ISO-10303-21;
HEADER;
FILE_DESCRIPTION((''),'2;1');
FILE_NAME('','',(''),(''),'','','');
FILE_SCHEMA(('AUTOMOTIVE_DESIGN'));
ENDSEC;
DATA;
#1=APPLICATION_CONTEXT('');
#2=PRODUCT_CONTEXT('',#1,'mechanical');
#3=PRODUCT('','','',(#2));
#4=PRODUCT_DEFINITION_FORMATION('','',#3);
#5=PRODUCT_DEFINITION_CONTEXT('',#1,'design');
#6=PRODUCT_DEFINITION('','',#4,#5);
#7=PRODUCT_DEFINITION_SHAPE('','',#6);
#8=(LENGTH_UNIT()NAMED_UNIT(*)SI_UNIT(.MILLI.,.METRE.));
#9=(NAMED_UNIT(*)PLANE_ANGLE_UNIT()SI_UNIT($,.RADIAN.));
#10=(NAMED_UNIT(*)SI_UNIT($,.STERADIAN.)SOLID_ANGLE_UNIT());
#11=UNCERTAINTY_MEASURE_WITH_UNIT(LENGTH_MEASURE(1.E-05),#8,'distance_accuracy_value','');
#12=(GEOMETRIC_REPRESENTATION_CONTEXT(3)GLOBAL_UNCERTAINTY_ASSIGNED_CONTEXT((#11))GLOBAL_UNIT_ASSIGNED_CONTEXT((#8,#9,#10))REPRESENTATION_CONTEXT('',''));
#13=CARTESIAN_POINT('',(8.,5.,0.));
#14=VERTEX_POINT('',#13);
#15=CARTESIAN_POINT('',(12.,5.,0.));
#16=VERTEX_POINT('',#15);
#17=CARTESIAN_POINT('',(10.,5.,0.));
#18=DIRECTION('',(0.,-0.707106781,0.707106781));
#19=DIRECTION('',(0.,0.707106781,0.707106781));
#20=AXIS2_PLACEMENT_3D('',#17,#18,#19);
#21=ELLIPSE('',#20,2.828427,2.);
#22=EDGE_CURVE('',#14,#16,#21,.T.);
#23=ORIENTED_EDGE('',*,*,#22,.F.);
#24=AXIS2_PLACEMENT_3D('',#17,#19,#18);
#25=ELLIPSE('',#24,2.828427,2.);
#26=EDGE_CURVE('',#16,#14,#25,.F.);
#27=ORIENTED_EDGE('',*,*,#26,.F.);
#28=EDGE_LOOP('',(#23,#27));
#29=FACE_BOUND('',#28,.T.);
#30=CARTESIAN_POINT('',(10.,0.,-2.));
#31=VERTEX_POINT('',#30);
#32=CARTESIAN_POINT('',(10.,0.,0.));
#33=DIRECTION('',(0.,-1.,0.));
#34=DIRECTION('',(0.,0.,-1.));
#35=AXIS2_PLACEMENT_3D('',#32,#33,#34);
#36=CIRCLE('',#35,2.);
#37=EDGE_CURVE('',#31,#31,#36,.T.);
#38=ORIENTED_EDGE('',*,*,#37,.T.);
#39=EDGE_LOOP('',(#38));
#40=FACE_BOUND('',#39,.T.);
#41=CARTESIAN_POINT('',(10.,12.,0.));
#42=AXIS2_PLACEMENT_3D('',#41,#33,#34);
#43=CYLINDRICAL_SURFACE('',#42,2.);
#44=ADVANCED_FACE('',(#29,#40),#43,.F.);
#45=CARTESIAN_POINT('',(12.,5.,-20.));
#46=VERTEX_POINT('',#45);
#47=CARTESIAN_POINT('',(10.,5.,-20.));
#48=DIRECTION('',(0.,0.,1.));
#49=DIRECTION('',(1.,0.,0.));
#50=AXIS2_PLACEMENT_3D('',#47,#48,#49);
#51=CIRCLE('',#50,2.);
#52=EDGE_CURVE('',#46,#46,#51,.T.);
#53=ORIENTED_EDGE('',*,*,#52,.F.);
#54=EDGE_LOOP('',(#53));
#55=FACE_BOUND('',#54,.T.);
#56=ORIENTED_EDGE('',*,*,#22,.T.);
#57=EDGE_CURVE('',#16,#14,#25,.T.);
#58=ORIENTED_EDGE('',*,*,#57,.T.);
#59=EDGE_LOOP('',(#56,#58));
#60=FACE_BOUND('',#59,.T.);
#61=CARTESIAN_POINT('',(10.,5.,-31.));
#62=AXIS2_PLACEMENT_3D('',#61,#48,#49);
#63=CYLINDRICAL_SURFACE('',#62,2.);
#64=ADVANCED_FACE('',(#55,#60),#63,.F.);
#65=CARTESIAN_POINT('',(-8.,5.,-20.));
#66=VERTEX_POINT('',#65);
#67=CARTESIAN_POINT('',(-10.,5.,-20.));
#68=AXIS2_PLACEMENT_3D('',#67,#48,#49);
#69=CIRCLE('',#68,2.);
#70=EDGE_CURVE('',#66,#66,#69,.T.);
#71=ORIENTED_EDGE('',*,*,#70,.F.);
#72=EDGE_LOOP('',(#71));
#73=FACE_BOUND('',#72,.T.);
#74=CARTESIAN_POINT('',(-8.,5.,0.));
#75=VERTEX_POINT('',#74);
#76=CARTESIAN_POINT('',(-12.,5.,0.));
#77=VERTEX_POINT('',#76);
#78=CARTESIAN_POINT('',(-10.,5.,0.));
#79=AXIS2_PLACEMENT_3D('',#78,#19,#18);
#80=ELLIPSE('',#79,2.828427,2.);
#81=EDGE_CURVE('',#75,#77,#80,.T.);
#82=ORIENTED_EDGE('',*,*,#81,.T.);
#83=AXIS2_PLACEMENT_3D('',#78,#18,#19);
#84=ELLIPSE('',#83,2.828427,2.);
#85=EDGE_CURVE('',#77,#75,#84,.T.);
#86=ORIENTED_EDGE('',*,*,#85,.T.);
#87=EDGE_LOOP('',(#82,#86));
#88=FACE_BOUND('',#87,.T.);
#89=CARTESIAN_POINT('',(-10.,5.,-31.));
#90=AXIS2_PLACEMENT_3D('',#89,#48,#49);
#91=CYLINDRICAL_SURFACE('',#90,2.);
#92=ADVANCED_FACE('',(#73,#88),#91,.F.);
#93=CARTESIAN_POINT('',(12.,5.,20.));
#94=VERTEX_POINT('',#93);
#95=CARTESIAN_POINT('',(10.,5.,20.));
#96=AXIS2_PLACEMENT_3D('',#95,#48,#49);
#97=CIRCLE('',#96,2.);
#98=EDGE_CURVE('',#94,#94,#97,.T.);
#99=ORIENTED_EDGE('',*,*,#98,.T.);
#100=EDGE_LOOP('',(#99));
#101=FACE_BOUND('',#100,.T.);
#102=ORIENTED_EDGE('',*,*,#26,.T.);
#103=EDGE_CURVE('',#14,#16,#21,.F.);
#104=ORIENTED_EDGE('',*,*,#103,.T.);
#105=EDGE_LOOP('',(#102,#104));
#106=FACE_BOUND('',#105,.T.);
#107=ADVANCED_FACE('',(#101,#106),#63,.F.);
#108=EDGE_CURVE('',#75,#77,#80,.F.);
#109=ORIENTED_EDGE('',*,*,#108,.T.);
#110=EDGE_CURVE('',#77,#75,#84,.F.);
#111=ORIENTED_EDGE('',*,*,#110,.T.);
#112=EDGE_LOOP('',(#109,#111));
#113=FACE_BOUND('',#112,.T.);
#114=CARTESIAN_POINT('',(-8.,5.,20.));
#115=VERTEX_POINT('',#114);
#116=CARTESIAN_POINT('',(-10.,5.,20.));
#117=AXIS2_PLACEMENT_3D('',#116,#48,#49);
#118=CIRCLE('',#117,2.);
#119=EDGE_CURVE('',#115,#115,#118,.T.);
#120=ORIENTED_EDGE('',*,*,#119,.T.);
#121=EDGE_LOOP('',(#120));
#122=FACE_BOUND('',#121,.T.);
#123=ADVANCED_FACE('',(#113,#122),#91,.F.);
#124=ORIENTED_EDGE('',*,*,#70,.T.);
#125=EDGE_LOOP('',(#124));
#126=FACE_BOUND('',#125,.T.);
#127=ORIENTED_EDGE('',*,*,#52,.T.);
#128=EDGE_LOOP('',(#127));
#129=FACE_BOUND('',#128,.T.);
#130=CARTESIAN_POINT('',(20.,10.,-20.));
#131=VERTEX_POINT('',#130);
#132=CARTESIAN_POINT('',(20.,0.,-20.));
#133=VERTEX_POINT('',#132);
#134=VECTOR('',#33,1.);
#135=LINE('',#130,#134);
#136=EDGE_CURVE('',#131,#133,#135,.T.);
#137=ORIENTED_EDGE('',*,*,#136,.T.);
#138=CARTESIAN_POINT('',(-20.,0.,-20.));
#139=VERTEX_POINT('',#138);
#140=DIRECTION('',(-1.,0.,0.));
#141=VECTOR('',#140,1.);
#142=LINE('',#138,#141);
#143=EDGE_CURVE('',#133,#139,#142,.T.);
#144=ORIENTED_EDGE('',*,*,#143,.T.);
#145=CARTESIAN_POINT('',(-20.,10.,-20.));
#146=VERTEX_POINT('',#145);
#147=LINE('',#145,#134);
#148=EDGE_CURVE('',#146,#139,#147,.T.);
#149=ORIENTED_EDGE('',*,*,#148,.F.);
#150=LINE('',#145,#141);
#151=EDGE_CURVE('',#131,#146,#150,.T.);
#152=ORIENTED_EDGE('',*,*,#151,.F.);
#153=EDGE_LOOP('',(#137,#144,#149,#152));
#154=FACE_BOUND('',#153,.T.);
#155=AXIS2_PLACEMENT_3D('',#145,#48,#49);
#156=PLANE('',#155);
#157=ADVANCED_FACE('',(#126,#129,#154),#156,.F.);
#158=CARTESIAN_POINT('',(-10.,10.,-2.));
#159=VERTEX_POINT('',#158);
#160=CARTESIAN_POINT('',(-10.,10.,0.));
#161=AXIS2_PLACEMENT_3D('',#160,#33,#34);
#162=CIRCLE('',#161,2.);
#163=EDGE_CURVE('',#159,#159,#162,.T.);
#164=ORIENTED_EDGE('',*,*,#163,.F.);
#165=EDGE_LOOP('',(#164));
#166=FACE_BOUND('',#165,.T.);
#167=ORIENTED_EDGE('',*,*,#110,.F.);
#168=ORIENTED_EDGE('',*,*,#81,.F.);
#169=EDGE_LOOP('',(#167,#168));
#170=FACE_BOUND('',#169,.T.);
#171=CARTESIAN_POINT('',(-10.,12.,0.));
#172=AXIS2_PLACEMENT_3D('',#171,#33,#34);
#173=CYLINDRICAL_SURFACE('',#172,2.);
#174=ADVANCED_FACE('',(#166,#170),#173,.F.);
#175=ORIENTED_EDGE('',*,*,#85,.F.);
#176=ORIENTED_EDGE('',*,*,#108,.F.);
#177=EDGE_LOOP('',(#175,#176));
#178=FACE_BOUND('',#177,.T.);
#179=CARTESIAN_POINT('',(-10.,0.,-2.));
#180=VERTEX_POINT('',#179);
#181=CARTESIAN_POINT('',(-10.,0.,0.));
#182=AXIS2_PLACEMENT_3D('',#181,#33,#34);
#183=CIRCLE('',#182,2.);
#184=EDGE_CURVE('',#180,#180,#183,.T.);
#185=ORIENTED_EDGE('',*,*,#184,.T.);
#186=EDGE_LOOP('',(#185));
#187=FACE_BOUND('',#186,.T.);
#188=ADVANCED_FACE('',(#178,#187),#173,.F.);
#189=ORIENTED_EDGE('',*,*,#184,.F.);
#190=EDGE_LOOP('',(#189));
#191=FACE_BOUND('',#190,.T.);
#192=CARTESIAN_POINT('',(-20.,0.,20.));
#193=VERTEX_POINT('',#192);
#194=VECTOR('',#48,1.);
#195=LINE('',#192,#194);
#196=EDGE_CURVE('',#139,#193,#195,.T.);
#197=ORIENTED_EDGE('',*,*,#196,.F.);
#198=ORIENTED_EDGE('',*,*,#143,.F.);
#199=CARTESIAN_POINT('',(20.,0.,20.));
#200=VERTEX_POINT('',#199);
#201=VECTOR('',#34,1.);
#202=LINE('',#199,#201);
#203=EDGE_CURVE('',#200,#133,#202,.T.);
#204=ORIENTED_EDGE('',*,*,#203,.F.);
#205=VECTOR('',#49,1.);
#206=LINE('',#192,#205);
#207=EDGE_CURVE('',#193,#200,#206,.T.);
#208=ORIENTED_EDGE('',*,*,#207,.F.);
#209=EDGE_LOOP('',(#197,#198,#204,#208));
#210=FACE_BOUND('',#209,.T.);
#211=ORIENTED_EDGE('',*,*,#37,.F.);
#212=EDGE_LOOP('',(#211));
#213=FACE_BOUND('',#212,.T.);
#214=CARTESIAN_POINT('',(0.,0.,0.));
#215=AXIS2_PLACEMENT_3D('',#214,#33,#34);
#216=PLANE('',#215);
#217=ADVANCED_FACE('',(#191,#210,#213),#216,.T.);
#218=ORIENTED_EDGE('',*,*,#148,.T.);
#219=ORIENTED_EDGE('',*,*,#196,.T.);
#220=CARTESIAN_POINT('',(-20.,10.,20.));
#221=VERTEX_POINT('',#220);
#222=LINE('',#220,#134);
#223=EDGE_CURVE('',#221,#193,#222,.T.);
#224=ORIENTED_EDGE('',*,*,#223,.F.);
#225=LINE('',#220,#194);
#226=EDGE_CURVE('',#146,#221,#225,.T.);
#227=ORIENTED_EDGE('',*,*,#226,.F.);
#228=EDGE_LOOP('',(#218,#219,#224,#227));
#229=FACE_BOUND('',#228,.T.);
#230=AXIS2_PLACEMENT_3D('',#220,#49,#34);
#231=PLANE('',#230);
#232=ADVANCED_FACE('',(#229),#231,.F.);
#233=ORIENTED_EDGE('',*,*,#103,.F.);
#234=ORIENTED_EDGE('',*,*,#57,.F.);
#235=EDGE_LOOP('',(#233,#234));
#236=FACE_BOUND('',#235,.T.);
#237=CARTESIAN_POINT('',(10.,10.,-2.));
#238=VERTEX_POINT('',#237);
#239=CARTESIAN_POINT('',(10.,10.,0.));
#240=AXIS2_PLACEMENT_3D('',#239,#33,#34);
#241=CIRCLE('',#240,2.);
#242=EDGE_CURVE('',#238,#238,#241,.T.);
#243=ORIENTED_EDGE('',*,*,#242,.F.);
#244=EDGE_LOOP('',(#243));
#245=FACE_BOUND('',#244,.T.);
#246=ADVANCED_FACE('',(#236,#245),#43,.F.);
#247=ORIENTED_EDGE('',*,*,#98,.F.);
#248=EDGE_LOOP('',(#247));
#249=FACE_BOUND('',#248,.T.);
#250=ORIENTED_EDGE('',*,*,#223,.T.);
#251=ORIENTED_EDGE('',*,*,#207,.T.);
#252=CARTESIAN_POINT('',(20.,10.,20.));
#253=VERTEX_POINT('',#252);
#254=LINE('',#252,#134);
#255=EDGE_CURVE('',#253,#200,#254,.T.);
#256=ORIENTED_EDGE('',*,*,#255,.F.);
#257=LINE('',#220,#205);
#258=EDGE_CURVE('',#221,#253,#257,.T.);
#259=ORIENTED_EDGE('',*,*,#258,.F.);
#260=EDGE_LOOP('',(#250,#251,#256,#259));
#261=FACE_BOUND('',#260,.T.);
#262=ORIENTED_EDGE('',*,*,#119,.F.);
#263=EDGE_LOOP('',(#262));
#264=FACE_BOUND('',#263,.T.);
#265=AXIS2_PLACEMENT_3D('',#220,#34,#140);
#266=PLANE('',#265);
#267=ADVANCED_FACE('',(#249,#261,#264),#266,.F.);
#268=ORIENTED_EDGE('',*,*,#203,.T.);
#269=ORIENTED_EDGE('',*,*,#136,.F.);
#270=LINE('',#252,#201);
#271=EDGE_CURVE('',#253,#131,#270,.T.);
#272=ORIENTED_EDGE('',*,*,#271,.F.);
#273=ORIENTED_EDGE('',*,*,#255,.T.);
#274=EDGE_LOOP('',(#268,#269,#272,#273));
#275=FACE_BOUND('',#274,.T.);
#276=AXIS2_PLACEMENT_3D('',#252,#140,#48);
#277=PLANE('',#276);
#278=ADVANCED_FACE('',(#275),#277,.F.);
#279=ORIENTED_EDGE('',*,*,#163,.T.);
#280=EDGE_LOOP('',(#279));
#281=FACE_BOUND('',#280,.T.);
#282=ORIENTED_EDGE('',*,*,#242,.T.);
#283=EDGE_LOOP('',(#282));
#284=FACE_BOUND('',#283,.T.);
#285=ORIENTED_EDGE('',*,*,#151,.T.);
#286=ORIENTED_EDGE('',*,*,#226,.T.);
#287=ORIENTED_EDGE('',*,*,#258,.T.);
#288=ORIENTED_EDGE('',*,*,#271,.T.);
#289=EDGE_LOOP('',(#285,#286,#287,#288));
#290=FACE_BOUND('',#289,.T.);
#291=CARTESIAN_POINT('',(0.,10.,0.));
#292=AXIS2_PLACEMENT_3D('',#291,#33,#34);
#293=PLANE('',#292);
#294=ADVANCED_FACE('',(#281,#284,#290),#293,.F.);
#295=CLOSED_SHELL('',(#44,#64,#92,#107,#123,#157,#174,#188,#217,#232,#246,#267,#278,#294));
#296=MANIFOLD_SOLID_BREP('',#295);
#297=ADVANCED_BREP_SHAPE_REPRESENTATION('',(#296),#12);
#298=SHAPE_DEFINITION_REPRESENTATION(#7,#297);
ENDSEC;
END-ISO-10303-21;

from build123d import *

# Parameters (mm, degrees)
SKETCH2_W           = 40
SKETCH2_H           = 40
BOSS_EXTRUDE1_DEPTH = 10
SKETCH3_R           = 2
CUT_EXTRUDE1_DEPTH  = 51
SKETCH4_R           = 2
CUT_EXTRUDE2_DEPTH  = 12


with BuildPart() as part:
    # Sketch2 → Boss-Extrude1 (new body)
    with BuildSketch(Plane(origin=(0, 0, 0), x_dir=(1, 0, 0), z_dir=(0, 1, 0))):
        Rectangle(SKETCH2_W, SKETCH2_H)
    extrude(amount=BOSS_EXTRUDE1_DEPTH)

    # Sketch3 → Cut-Extrude1 (cut)
    with BuildSketch(Plane.XY.offset(20)):
        with Locations((10, 5)):
            Circle(SKETCH3_R)
        with Locations((-10, 5)):
            Circle(SKETCH3_R)
    extrude(amount=-CUT_EXTRUDE1_DEPTH, mode=Mode.SUBTRACT)

    # Sketch4 → Cut-Extrude2 (cut)
    with BuildSketch(Plane.XZ):
        with Locations(Location((10, 0, 0), (0, 0, 270))):
            Circle(SKETCH4_R)
        with Locations(Location((-10, 0, 0), (0, 0, 270))):
            Circle(SKETCH4_R)
    extrude(amount=-CUT_EXTRUDE2_DEPTH, mode=Mode.SUBTRACT)


solid = part.part
